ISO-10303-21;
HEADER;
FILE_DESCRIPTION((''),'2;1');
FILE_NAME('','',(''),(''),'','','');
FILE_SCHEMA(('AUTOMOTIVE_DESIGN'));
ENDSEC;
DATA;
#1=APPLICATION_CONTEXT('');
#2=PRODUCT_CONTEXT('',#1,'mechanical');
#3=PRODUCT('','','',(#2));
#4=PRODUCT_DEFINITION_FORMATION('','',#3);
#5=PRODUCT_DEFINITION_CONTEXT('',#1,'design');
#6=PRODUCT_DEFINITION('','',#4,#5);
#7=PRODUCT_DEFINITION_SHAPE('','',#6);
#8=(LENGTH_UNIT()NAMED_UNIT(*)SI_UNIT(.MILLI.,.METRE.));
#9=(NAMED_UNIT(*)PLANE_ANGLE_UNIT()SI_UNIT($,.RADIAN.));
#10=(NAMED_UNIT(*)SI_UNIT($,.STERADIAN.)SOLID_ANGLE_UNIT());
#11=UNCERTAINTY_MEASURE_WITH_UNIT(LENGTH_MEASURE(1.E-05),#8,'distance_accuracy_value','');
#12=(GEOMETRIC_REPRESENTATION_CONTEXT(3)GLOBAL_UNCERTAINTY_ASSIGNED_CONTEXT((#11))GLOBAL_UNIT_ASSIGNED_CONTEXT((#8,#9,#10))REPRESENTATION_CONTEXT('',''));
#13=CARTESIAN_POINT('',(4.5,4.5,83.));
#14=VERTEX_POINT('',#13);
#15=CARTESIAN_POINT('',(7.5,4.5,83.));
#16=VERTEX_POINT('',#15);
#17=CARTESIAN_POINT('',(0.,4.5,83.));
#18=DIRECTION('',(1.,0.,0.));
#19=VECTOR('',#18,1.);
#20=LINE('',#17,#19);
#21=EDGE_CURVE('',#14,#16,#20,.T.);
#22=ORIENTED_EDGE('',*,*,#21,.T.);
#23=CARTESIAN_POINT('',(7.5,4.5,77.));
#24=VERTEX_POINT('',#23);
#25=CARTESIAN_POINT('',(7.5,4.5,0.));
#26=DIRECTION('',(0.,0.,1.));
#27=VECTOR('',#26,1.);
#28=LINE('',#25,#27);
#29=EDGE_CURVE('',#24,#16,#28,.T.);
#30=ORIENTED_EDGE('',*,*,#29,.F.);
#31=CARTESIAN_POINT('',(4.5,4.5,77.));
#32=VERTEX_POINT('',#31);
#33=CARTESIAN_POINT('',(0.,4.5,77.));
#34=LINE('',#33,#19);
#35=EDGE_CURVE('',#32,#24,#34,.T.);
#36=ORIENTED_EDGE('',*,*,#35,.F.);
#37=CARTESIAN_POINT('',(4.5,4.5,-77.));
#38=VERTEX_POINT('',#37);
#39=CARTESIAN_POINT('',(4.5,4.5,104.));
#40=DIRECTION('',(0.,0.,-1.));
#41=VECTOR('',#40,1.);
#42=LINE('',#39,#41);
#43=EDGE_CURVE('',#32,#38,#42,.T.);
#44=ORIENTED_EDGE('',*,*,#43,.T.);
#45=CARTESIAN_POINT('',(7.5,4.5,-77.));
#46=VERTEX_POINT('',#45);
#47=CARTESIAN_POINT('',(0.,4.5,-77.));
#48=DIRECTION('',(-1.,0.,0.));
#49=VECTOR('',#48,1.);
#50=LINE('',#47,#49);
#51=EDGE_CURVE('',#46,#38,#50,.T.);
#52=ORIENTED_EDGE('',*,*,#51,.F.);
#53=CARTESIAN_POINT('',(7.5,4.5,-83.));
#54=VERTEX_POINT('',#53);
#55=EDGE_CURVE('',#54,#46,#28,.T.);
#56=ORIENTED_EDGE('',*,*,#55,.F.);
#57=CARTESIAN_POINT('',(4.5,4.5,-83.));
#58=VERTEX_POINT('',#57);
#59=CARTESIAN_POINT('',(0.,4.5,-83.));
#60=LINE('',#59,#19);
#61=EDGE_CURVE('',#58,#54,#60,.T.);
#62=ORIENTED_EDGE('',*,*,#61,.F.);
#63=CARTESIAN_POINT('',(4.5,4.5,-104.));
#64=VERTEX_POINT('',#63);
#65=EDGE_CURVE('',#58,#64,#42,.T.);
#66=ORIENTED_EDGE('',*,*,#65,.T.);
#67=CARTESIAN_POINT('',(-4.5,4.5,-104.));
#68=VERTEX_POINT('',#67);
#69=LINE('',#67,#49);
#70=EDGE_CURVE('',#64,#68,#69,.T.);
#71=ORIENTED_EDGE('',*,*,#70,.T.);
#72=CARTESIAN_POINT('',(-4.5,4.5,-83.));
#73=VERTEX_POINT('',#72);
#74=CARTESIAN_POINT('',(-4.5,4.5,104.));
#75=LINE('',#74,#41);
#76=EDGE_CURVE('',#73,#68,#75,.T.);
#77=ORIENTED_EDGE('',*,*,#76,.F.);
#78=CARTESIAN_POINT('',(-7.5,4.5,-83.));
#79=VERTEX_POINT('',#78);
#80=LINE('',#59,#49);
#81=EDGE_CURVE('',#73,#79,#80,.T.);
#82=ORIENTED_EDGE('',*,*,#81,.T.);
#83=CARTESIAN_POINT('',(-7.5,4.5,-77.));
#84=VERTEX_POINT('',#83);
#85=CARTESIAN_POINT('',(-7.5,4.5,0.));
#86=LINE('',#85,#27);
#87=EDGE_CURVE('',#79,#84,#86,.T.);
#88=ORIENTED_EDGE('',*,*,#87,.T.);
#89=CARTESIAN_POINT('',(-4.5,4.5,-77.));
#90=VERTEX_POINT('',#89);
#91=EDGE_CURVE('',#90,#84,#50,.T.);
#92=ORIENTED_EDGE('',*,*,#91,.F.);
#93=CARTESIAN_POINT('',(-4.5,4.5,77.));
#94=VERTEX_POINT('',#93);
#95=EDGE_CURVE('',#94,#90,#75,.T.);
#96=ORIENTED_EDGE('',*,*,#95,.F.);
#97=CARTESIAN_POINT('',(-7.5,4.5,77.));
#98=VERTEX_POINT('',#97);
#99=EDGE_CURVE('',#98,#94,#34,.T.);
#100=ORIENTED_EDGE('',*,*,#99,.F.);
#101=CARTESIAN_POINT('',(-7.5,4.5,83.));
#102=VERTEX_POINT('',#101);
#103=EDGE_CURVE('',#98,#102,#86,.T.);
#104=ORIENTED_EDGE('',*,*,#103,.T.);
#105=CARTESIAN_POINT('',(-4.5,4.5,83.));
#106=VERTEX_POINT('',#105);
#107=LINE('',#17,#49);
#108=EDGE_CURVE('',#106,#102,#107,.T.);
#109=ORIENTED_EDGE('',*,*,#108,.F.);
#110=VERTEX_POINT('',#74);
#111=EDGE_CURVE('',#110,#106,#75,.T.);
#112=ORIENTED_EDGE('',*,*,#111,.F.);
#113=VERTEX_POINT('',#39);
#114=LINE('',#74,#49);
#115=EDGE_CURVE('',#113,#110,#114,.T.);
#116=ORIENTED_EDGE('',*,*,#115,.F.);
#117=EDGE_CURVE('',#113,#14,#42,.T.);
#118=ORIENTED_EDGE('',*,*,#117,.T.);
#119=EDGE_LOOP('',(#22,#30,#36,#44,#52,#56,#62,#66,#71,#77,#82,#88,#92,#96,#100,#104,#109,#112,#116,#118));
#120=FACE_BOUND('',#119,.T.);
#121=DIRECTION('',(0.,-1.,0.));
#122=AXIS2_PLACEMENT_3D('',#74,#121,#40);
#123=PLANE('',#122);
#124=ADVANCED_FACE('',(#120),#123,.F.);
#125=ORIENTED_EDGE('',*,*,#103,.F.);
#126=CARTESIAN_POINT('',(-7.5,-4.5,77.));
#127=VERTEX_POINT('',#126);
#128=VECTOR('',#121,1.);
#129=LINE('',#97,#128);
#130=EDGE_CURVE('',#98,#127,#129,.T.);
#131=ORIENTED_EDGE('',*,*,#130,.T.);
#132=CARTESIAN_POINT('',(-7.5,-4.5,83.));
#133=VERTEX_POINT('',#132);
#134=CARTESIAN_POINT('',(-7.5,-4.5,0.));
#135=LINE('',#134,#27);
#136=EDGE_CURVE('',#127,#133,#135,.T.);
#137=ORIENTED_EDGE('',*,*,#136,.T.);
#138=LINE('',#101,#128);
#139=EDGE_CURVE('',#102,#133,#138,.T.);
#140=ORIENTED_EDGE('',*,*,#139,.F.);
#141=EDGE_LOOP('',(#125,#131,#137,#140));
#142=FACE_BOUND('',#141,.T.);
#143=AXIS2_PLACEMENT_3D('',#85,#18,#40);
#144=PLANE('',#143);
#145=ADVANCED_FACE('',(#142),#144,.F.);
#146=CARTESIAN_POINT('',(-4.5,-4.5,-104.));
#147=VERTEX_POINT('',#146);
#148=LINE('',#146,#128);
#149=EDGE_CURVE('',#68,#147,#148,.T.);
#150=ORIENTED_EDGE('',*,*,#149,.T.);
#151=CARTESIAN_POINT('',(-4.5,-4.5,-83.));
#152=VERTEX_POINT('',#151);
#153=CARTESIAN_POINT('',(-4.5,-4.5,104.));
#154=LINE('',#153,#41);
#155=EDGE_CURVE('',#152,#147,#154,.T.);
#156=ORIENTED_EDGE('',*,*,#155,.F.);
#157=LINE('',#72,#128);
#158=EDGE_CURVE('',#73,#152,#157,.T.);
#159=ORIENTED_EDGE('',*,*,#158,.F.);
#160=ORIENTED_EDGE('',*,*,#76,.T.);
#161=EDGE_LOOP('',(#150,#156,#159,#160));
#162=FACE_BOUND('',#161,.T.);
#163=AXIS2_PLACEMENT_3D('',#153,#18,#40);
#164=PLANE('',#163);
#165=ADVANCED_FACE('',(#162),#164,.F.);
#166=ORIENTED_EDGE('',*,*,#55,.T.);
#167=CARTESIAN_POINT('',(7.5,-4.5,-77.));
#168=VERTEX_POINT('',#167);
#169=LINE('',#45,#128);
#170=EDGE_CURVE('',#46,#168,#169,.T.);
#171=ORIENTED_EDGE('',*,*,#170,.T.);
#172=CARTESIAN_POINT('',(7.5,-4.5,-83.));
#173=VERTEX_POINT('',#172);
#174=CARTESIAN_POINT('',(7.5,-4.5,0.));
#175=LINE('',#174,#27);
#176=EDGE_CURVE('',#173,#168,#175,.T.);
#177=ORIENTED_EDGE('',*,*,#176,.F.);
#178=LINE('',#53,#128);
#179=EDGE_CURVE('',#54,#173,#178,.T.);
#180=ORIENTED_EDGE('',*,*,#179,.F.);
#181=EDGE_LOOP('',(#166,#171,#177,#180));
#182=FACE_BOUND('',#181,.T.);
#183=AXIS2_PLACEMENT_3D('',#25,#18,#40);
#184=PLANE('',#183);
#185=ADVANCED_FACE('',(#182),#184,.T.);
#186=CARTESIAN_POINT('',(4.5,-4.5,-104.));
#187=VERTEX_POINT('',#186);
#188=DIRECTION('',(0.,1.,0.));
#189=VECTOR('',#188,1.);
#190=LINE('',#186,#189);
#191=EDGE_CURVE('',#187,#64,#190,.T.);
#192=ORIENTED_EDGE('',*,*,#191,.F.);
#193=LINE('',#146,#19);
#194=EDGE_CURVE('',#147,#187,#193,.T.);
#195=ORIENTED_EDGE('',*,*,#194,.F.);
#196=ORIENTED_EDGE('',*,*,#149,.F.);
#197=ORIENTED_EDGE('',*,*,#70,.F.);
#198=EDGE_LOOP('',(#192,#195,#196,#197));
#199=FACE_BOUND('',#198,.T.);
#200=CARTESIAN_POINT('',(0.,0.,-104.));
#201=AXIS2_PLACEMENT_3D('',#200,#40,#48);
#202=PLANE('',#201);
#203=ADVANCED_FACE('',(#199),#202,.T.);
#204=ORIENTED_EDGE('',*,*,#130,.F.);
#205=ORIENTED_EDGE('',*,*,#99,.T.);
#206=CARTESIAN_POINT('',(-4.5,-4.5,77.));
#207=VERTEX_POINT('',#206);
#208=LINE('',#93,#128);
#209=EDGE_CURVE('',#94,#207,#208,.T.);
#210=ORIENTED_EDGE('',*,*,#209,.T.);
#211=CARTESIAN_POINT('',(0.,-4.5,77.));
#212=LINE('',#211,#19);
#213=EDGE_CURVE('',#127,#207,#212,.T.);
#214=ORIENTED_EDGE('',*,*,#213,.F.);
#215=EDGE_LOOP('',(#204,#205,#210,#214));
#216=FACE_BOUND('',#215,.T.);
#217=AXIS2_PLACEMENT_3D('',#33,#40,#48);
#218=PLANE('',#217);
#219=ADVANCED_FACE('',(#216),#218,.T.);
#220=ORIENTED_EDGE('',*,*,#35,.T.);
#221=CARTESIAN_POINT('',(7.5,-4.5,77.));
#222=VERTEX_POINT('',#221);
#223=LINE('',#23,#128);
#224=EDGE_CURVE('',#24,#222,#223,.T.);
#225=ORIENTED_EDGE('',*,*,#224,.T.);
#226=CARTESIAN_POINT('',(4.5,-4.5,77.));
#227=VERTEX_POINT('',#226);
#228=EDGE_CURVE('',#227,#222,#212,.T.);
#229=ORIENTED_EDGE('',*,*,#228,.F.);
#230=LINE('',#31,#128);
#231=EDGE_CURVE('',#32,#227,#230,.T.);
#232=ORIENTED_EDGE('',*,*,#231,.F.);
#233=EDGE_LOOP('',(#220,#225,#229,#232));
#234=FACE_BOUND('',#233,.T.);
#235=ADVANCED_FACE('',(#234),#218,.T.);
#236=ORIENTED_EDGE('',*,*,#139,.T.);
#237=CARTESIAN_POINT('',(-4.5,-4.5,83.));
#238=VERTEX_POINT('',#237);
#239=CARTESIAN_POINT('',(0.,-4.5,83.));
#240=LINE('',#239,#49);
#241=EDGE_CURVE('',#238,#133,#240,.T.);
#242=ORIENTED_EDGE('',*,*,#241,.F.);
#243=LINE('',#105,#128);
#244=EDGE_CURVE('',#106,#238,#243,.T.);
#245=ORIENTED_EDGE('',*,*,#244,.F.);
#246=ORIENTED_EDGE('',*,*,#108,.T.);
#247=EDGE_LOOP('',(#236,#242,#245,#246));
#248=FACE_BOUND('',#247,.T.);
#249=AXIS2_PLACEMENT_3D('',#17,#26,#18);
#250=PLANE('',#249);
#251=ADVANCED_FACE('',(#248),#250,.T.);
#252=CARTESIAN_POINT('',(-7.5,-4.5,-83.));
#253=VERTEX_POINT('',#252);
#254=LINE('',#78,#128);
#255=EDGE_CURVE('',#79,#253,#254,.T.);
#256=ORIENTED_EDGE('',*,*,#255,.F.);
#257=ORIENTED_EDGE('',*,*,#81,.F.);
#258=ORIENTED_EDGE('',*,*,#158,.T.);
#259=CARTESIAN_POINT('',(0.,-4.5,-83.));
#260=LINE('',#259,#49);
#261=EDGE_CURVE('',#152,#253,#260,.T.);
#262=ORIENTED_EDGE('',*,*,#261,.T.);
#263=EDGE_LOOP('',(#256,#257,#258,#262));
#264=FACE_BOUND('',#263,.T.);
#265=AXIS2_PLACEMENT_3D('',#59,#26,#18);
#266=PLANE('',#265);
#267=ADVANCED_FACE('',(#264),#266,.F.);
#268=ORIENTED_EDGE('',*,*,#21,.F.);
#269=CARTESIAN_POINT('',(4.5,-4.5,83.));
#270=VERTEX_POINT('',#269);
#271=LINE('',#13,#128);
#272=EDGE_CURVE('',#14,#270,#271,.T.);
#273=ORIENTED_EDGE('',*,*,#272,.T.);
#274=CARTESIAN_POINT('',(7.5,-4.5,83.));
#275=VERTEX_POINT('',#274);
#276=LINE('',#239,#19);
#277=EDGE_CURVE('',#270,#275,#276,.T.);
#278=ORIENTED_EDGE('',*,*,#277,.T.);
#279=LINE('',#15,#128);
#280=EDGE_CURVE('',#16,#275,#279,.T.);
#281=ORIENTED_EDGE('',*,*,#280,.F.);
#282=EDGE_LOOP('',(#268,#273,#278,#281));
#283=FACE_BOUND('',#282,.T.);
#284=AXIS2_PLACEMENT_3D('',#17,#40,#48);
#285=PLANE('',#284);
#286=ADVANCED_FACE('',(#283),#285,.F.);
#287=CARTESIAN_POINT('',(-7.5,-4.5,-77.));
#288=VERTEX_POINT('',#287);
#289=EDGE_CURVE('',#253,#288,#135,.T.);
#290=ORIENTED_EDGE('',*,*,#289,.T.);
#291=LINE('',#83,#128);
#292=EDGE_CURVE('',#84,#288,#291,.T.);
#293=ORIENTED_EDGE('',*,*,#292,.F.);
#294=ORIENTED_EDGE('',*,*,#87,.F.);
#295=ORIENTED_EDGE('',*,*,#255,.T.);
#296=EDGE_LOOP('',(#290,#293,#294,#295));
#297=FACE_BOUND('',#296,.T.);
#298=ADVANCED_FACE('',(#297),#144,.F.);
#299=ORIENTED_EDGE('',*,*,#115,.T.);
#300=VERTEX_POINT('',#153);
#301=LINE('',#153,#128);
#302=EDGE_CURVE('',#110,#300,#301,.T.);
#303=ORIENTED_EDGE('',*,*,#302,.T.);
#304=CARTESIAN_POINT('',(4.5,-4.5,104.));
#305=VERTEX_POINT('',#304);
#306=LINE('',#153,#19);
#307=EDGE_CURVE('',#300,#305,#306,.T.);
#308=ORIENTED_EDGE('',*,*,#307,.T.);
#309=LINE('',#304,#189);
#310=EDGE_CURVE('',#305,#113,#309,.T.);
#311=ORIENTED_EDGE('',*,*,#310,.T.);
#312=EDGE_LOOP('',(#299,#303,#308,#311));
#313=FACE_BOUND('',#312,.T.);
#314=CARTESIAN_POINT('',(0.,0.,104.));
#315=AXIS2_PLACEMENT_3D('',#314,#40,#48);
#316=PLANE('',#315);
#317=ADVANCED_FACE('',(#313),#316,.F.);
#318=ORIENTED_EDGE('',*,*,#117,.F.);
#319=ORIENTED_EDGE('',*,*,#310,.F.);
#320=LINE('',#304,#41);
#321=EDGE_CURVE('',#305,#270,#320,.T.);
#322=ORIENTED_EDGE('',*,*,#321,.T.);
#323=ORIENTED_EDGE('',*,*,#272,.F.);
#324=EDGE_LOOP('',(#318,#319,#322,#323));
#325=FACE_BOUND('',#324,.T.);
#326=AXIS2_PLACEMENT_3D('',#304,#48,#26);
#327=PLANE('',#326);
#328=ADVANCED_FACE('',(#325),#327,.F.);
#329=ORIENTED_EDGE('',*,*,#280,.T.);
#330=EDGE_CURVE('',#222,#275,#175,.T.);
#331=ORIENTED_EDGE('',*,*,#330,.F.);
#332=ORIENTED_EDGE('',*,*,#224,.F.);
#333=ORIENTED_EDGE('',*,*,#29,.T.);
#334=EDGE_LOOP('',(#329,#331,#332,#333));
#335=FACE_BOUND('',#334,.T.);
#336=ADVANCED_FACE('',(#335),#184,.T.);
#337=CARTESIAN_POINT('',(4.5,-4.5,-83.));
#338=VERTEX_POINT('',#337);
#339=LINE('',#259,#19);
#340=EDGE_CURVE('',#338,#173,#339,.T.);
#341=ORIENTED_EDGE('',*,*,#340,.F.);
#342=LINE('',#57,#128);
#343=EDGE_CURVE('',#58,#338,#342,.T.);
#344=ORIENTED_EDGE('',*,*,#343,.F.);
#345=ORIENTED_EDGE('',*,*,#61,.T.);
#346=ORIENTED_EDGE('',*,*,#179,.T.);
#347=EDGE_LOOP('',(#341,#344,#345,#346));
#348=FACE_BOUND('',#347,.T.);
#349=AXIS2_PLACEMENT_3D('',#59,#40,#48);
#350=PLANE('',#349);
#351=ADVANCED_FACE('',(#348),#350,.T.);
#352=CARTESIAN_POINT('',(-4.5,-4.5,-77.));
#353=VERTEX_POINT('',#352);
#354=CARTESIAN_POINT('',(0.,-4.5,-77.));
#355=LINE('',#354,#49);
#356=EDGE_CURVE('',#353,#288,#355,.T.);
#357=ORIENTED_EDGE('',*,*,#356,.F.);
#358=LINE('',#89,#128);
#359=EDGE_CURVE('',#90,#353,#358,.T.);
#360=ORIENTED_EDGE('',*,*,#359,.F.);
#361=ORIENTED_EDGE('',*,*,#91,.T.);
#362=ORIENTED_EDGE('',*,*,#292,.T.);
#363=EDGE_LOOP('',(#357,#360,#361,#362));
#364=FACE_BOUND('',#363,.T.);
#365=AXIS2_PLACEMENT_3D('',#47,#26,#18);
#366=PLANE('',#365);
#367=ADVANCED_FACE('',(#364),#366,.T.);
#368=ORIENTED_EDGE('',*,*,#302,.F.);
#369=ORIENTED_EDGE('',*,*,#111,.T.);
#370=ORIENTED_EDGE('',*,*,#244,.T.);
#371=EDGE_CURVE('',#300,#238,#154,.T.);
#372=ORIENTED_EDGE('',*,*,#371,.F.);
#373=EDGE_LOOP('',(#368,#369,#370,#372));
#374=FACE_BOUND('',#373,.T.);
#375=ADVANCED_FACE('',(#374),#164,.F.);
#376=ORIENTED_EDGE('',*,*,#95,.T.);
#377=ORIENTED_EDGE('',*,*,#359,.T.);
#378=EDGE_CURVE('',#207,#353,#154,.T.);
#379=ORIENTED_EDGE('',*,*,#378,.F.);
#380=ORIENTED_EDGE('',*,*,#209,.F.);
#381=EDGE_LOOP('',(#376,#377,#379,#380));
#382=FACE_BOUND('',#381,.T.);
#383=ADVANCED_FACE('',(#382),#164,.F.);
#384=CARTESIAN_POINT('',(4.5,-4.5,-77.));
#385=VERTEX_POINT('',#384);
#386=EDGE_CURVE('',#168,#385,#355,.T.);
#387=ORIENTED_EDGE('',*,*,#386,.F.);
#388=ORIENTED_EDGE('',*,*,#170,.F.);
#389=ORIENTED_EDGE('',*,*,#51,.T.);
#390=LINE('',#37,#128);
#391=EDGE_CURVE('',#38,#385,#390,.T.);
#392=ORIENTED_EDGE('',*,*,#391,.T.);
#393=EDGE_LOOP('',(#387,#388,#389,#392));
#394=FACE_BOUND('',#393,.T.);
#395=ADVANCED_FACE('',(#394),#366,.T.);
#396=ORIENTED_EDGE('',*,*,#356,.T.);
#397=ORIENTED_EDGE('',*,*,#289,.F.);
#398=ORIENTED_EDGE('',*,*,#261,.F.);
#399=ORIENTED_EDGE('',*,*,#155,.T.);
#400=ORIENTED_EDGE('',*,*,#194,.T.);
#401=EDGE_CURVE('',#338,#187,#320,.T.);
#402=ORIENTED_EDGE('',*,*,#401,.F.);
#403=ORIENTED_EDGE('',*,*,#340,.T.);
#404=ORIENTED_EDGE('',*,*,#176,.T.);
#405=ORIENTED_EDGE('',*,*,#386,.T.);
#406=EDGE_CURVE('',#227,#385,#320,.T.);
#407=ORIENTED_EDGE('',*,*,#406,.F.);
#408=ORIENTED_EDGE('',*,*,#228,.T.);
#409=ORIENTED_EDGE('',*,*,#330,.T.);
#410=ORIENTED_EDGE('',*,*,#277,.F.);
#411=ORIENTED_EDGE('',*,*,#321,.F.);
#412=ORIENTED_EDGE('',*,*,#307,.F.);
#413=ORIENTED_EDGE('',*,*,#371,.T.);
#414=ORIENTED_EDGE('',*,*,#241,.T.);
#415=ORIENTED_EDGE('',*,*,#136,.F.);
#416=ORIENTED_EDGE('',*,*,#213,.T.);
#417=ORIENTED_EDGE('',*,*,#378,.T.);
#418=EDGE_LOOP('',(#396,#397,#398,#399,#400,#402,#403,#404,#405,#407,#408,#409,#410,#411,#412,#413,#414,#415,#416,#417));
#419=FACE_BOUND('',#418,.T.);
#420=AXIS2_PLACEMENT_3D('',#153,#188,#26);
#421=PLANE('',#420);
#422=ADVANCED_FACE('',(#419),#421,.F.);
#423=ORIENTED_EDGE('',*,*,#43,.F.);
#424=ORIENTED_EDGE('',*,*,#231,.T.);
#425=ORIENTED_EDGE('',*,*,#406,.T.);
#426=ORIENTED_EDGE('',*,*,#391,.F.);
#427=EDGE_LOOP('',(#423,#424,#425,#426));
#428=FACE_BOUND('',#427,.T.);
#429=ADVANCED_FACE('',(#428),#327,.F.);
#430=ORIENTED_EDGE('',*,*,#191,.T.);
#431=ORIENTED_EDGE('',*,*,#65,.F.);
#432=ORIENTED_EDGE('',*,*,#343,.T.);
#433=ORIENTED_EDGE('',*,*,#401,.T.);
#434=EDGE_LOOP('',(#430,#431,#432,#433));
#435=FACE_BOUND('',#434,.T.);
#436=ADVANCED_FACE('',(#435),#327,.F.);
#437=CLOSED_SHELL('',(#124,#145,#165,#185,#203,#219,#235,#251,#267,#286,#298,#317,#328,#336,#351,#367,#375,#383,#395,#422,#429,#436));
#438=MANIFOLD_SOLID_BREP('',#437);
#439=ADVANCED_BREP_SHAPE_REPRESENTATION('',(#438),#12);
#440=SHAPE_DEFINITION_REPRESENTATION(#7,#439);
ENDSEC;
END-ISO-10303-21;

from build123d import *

# Parameters (mm, degrees)
SKETCH1_W           = 9
SKETCH1_H           = 9
BOSS_EXTRUDE1_DEPTH = 104
SKETCH2_W           = 3
SKETCH2_H           = 6
BOSS_EXTRUDE2_DEPTH = 4.5


with BuildPart() as part:
    # Sketch1 → Boss-Extrude1 (new body, symmetric)
    with BuildSketch(Plane.XY):
        Rectangle(SKETCH1_W, SKETCH1_H)
    extrude(amount=BOSS_EXTRUDE1_DEPTH, both=True)

    # Sketch2 → Boss-Extrude2 (add, symmetric)
    with BuildSketch(Plane(origin=(0, 0, 0), x_dir=(1, 0, 0), z_dir=(0, 1, 0))):
        with Locations((-6, -80)):
            Rectangle(SKETCH2_W, SKETCH2_H)
        with Locations((6, -80)):
            Rectangle(SKETCH2_W, SKETCH2_H)
        with Locations((6, 80)):
            Rectangle(SKETCH2_W, SKETCH2_H)
        with Locations((-6, 80)):
            Rectangle(SKETCH2_W, SKETCH2_H)
    extrude(amount=BOSS_EXTRUDE2_DEPTH, both=True)


solid = part.part
